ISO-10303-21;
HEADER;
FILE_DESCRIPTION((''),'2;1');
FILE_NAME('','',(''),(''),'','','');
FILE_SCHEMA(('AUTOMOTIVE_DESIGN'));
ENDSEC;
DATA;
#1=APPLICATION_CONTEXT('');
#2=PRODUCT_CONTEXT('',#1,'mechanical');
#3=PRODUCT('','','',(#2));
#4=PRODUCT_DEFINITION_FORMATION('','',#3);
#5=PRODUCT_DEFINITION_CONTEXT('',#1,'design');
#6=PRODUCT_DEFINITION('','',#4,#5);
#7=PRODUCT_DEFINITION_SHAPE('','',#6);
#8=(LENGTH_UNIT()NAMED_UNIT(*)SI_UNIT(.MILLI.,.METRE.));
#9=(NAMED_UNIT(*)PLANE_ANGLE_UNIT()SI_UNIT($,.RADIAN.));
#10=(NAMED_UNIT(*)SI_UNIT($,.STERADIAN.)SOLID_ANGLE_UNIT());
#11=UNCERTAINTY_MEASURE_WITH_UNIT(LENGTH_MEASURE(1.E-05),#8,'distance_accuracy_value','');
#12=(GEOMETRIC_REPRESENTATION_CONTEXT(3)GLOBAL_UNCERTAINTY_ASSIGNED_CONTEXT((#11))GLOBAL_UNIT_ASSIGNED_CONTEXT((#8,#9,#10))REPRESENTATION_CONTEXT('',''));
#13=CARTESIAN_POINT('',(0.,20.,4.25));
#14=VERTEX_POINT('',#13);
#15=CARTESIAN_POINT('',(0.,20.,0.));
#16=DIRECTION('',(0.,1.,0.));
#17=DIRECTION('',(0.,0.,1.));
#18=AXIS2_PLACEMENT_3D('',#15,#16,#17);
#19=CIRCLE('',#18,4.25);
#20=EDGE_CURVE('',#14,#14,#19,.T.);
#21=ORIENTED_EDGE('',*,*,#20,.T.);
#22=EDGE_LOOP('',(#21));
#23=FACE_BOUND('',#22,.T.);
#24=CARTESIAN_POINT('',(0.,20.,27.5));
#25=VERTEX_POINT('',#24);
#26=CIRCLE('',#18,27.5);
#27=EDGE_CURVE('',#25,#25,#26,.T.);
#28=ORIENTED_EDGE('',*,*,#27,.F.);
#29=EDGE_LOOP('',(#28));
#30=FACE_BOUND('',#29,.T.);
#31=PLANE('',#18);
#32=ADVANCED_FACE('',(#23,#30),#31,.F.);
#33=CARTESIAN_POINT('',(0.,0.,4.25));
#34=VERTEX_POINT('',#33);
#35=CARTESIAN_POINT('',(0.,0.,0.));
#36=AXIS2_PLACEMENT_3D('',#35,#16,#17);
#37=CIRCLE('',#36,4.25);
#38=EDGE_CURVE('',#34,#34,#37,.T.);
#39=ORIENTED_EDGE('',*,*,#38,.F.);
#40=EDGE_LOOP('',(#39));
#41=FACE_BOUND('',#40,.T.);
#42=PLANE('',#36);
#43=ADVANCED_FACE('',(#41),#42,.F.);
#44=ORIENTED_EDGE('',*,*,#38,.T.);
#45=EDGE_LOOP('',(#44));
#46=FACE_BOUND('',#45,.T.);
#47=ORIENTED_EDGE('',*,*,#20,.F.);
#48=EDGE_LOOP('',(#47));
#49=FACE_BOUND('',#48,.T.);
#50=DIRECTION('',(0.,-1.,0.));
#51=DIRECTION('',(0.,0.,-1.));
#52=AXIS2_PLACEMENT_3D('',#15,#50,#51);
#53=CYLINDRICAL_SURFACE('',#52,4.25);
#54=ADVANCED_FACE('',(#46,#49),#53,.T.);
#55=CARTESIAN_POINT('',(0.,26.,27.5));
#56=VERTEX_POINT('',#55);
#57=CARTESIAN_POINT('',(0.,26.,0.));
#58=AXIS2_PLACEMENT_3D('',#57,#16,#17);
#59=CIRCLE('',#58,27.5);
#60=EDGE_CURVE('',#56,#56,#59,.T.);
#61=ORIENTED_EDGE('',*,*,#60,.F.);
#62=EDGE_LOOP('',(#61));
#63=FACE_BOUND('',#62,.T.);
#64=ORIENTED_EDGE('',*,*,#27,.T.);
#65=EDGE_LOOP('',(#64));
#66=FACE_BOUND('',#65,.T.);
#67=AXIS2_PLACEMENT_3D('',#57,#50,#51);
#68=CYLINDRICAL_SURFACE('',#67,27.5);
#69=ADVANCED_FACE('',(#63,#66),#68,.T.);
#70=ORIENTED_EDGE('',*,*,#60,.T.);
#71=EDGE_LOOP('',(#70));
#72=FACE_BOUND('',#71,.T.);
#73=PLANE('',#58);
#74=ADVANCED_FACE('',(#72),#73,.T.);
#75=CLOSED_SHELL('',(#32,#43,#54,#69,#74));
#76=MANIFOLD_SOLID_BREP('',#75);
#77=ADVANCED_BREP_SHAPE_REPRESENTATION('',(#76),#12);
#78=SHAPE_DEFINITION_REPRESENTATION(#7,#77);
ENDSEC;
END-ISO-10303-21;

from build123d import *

# Parameters (mm, degrees)
ESBO_O1_R                = 4.25
RESSALTO_EXTRUS_O1_DEPTH = 20
ESBO_O2_R                = 27.5
RESSALTO_EXTRUS_O2_DEPTH = 6


with BuildPart() as part:
    # Esboço1 → Ressalto-extrusão1 (new body)
    with BuildSketch(Plane(origin=(0, 0, 0), x_dir=(1, 0, 0), z_dir=(0, 1, 0))):
        Circle(ESBO_O1_R)
    extrude(amount=RESSALTO_EXTRUS_O1_DEPTH)

    # Esboço2 → Ressalto-extrusão2 (add)
    with BuildSketch(Plane(origin=(0, 20, 0), x_dir=(1, 0, 0), z_dir=(0, 1, 0))):
        Circle(ESBO_O2_R)
    extrude(amount=RESSALTO_EXTRUS_O2_DEPTH)


solid = part.part
